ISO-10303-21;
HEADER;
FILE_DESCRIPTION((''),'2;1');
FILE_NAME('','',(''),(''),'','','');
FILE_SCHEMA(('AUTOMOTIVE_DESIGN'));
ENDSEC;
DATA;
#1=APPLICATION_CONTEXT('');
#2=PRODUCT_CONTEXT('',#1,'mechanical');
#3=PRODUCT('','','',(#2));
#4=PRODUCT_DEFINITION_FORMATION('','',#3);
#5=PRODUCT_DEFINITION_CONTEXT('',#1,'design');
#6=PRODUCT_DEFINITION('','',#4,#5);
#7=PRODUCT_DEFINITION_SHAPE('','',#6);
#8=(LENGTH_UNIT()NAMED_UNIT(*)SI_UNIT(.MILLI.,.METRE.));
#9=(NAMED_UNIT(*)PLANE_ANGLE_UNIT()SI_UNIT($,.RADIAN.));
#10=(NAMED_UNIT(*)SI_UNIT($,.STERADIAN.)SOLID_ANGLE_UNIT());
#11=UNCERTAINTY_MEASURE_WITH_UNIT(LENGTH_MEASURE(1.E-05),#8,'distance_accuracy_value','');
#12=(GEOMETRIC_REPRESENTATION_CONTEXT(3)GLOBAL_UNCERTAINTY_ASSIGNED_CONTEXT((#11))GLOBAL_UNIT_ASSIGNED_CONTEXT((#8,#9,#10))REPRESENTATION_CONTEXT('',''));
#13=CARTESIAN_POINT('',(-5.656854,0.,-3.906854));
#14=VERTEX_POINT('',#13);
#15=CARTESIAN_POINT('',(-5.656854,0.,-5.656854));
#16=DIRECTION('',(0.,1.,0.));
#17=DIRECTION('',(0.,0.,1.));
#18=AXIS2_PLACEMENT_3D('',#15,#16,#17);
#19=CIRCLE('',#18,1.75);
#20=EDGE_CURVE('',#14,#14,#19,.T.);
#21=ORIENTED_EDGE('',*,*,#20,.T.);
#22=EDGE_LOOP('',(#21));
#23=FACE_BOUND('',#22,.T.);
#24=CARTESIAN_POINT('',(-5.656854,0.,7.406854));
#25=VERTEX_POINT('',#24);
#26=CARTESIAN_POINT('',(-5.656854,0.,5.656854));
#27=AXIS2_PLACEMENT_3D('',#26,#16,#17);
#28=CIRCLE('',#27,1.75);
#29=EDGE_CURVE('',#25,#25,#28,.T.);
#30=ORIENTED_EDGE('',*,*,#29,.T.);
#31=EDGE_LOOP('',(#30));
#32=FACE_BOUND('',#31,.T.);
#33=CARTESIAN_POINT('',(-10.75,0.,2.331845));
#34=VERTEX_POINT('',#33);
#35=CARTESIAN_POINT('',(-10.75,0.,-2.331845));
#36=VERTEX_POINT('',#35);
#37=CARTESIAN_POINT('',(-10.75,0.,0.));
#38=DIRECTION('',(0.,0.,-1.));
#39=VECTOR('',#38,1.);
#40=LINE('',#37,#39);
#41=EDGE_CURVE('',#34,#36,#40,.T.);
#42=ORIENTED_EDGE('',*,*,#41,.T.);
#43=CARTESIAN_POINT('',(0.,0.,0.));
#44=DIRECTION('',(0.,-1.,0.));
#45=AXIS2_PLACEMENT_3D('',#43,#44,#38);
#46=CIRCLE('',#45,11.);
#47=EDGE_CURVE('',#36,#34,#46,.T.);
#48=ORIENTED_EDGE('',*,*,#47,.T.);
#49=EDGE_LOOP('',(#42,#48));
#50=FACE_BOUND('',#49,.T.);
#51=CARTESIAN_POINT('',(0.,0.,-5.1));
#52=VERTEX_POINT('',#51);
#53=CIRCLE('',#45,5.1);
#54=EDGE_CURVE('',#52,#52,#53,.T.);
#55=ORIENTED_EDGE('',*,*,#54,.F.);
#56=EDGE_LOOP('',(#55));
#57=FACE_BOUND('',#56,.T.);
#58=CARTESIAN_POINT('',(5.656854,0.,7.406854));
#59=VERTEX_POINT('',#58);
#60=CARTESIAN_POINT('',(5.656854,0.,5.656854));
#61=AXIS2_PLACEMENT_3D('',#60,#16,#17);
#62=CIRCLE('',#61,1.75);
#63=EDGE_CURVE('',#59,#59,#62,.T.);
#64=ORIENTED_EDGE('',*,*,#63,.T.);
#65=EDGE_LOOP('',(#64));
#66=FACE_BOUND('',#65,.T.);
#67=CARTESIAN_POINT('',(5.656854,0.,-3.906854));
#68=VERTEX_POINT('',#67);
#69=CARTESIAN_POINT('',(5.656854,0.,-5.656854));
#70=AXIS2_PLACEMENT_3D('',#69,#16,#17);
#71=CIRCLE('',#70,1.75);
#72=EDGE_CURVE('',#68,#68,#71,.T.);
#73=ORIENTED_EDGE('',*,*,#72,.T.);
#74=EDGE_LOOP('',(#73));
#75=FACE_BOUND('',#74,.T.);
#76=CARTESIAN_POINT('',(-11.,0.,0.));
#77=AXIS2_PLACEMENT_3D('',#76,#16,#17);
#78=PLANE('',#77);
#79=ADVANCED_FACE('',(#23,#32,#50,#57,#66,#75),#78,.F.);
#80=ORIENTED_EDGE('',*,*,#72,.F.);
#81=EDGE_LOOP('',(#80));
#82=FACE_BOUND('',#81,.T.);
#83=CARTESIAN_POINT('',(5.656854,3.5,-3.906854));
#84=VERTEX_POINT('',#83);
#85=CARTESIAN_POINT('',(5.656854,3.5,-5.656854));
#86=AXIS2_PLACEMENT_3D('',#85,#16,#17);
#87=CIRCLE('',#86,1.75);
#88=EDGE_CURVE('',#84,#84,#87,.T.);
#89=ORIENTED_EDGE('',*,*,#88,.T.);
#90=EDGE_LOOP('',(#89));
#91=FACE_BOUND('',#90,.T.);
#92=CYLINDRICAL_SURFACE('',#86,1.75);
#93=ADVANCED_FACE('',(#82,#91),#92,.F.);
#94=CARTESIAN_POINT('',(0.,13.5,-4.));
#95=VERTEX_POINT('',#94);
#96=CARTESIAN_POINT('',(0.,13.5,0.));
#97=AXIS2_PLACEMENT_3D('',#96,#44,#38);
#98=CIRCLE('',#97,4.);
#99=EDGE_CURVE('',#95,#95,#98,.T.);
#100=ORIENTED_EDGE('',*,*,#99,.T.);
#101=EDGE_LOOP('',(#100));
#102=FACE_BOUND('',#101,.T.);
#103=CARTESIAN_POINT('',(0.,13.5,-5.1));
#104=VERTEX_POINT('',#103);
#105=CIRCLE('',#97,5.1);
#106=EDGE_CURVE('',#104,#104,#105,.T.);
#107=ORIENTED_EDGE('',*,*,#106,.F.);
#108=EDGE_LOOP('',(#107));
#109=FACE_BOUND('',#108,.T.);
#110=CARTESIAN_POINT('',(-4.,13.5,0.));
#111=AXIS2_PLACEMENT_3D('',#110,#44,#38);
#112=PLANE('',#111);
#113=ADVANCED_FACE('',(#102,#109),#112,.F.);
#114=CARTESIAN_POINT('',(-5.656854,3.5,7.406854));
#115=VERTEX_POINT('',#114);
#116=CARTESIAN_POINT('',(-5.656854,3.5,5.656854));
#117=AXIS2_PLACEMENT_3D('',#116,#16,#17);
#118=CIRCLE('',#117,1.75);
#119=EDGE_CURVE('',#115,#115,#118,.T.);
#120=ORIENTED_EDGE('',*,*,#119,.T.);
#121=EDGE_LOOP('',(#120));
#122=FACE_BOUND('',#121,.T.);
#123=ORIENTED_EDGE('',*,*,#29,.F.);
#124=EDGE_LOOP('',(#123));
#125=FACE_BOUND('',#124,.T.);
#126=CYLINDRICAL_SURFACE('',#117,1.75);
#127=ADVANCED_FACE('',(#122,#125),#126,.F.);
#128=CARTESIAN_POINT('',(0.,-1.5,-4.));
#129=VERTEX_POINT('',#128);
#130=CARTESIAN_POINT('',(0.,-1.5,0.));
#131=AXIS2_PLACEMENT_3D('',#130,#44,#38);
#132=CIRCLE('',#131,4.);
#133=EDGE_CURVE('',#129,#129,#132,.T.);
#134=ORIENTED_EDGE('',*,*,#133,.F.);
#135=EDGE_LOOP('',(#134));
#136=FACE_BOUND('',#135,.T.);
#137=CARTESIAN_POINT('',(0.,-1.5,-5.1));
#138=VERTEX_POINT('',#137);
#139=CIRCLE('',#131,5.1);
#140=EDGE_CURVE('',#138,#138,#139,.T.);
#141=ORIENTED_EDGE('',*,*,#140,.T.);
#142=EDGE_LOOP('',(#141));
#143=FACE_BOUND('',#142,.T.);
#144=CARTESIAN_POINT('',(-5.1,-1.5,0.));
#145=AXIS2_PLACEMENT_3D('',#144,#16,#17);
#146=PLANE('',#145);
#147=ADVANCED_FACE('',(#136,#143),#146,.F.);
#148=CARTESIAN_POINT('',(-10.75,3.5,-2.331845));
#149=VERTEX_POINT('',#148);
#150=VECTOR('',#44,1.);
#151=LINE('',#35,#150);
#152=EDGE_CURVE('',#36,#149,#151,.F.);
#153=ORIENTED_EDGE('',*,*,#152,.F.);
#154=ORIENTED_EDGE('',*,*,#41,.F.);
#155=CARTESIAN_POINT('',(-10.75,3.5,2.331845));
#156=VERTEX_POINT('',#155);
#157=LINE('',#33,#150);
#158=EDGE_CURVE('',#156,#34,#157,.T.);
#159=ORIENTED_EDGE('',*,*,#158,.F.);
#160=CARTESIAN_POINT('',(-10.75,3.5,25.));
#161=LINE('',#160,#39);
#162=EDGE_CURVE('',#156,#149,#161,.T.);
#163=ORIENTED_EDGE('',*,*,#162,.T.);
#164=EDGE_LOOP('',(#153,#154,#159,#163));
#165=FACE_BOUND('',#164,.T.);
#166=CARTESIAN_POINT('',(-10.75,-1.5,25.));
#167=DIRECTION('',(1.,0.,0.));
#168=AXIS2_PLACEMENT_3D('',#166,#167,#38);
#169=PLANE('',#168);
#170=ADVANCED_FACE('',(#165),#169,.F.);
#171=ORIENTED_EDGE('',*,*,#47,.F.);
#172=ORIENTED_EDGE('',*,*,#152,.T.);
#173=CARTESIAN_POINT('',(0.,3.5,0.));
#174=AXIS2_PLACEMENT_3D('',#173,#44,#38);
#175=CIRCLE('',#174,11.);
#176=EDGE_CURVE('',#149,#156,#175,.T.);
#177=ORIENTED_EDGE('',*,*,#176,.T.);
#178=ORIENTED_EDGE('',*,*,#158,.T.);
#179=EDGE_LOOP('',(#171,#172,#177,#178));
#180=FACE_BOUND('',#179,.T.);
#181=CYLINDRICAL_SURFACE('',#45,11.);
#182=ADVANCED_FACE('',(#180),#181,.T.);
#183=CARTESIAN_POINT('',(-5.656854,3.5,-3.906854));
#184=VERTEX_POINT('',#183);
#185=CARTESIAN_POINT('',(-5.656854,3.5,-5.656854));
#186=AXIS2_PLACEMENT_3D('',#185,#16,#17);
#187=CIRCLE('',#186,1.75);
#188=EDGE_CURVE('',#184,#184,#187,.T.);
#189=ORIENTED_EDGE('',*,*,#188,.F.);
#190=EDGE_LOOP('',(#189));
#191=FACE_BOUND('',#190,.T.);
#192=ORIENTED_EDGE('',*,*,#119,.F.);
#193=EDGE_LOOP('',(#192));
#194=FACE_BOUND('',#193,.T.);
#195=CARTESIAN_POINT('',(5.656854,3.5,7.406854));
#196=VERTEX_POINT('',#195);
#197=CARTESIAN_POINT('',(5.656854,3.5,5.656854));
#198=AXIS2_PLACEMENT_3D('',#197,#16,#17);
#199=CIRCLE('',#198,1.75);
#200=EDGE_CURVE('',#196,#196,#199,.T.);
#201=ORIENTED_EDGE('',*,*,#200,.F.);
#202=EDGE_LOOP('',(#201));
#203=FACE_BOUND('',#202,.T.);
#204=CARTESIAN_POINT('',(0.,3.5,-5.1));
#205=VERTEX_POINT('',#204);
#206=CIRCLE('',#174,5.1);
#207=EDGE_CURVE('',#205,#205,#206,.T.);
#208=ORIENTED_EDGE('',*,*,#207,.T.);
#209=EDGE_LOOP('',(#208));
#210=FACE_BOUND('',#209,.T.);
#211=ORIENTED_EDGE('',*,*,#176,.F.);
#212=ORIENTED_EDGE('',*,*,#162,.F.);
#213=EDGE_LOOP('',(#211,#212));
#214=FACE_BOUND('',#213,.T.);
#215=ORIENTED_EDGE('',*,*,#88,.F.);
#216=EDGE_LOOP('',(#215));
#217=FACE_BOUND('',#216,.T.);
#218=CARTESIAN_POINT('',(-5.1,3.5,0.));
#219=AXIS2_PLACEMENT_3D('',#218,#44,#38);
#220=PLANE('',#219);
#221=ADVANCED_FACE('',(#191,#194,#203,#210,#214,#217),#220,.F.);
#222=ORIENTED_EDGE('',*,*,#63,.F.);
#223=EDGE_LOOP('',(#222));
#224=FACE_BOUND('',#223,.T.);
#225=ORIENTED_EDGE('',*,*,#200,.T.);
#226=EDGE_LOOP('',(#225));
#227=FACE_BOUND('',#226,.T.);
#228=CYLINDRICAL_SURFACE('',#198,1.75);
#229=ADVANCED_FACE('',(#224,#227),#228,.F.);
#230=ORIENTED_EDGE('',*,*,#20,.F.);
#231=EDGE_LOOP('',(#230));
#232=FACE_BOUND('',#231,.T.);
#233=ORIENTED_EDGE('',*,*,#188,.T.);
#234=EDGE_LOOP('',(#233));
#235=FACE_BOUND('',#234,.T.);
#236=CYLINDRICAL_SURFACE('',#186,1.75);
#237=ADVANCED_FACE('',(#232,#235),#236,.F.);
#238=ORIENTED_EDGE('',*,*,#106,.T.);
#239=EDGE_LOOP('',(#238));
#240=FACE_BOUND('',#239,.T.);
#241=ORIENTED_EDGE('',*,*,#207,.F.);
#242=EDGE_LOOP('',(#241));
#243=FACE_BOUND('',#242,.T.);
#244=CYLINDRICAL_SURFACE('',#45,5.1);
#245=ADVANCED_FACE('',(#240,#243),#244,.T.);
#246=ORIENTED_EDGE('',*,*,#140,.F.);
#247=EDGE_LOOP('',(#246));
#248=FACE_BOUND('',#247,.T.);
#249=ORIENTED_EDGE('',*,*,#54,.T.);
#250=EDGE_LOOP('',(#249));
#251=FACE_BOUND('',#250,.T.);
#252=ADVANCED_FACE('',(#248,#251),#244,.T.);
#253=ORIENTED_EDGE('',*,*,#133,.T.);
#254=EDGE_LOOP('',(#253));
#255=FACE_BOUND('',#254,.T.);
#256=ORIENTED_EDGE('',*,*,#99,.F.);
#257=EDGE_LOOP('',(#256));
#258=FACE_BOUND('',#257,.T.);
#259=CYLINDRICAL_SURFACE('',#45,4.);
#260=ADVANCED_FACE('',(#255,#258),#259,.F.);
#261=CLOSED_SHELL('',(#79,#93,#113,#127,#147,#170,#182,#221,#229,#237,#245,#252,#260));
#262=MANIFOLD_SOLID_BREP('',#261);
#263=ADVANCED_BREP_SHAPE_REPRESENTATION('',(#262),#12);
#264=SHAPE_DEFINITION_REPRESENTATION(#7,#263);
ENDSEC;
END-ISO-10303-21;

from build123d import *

# Parameters (mm, degrees)
F_3_5_3_5_DURCHMESSER_BOHRUNG1_D = 3.5
SKIZZE5_W                        = 0.5
SKIZZE5_H                        = 50
SCHNITT_LINEAR_AUSTRAGEN1_DEPTH  = 6


with BuildPart() as part:
    # Skizze1 → Rotation1 (revolve)
    with BuildSketch(Plane.XY):
        Polygon((-4, 0), (-4, 13.5), (-5.1, 13.5), (-5.1, 3.5), (-11, 3.5), (-11, 0), (-5.1, 0), (-5.1, -1.5), (-4, -1.5), align=None)
    revolve(axis=Axis((0, 0, 0), (0, 1, 0)))

    # Ø3.5 (3.5) Durchmesser Bohrung1 (through all)
    with Locations(Plane(origin=(0, 3.5, 0), x_dir=(1, 0, 0), z_dir=(0, 1, 0))):
        with Locations((5.656854249, 5.656854249), (-5.656854249, 5.656854249), (5.656854249, -5.656854249), (-5.656854249, -5.656854249)):
            Hole(F_3_5_3_5_DURCHMESSER_BOHRUNG1_D / 2)

    # Skizze5 → Schnitt-Linear austragen1 (cut, through all)
    with BuildSketch(Plane(origin=(0, 3.5, 0), x_dir=(1, 0, 0), z_dir=(0, 1, 0))):
        with Locations((-11, 0)):
            Rectangle(SKIZZE5_W, SKIZZE5_H)
    extrude(amount=-SCHNITT_LINEAR_AUSTRAGEN1_DEPTH, mode=Mode.SUBTRACT)


solid = part.part
